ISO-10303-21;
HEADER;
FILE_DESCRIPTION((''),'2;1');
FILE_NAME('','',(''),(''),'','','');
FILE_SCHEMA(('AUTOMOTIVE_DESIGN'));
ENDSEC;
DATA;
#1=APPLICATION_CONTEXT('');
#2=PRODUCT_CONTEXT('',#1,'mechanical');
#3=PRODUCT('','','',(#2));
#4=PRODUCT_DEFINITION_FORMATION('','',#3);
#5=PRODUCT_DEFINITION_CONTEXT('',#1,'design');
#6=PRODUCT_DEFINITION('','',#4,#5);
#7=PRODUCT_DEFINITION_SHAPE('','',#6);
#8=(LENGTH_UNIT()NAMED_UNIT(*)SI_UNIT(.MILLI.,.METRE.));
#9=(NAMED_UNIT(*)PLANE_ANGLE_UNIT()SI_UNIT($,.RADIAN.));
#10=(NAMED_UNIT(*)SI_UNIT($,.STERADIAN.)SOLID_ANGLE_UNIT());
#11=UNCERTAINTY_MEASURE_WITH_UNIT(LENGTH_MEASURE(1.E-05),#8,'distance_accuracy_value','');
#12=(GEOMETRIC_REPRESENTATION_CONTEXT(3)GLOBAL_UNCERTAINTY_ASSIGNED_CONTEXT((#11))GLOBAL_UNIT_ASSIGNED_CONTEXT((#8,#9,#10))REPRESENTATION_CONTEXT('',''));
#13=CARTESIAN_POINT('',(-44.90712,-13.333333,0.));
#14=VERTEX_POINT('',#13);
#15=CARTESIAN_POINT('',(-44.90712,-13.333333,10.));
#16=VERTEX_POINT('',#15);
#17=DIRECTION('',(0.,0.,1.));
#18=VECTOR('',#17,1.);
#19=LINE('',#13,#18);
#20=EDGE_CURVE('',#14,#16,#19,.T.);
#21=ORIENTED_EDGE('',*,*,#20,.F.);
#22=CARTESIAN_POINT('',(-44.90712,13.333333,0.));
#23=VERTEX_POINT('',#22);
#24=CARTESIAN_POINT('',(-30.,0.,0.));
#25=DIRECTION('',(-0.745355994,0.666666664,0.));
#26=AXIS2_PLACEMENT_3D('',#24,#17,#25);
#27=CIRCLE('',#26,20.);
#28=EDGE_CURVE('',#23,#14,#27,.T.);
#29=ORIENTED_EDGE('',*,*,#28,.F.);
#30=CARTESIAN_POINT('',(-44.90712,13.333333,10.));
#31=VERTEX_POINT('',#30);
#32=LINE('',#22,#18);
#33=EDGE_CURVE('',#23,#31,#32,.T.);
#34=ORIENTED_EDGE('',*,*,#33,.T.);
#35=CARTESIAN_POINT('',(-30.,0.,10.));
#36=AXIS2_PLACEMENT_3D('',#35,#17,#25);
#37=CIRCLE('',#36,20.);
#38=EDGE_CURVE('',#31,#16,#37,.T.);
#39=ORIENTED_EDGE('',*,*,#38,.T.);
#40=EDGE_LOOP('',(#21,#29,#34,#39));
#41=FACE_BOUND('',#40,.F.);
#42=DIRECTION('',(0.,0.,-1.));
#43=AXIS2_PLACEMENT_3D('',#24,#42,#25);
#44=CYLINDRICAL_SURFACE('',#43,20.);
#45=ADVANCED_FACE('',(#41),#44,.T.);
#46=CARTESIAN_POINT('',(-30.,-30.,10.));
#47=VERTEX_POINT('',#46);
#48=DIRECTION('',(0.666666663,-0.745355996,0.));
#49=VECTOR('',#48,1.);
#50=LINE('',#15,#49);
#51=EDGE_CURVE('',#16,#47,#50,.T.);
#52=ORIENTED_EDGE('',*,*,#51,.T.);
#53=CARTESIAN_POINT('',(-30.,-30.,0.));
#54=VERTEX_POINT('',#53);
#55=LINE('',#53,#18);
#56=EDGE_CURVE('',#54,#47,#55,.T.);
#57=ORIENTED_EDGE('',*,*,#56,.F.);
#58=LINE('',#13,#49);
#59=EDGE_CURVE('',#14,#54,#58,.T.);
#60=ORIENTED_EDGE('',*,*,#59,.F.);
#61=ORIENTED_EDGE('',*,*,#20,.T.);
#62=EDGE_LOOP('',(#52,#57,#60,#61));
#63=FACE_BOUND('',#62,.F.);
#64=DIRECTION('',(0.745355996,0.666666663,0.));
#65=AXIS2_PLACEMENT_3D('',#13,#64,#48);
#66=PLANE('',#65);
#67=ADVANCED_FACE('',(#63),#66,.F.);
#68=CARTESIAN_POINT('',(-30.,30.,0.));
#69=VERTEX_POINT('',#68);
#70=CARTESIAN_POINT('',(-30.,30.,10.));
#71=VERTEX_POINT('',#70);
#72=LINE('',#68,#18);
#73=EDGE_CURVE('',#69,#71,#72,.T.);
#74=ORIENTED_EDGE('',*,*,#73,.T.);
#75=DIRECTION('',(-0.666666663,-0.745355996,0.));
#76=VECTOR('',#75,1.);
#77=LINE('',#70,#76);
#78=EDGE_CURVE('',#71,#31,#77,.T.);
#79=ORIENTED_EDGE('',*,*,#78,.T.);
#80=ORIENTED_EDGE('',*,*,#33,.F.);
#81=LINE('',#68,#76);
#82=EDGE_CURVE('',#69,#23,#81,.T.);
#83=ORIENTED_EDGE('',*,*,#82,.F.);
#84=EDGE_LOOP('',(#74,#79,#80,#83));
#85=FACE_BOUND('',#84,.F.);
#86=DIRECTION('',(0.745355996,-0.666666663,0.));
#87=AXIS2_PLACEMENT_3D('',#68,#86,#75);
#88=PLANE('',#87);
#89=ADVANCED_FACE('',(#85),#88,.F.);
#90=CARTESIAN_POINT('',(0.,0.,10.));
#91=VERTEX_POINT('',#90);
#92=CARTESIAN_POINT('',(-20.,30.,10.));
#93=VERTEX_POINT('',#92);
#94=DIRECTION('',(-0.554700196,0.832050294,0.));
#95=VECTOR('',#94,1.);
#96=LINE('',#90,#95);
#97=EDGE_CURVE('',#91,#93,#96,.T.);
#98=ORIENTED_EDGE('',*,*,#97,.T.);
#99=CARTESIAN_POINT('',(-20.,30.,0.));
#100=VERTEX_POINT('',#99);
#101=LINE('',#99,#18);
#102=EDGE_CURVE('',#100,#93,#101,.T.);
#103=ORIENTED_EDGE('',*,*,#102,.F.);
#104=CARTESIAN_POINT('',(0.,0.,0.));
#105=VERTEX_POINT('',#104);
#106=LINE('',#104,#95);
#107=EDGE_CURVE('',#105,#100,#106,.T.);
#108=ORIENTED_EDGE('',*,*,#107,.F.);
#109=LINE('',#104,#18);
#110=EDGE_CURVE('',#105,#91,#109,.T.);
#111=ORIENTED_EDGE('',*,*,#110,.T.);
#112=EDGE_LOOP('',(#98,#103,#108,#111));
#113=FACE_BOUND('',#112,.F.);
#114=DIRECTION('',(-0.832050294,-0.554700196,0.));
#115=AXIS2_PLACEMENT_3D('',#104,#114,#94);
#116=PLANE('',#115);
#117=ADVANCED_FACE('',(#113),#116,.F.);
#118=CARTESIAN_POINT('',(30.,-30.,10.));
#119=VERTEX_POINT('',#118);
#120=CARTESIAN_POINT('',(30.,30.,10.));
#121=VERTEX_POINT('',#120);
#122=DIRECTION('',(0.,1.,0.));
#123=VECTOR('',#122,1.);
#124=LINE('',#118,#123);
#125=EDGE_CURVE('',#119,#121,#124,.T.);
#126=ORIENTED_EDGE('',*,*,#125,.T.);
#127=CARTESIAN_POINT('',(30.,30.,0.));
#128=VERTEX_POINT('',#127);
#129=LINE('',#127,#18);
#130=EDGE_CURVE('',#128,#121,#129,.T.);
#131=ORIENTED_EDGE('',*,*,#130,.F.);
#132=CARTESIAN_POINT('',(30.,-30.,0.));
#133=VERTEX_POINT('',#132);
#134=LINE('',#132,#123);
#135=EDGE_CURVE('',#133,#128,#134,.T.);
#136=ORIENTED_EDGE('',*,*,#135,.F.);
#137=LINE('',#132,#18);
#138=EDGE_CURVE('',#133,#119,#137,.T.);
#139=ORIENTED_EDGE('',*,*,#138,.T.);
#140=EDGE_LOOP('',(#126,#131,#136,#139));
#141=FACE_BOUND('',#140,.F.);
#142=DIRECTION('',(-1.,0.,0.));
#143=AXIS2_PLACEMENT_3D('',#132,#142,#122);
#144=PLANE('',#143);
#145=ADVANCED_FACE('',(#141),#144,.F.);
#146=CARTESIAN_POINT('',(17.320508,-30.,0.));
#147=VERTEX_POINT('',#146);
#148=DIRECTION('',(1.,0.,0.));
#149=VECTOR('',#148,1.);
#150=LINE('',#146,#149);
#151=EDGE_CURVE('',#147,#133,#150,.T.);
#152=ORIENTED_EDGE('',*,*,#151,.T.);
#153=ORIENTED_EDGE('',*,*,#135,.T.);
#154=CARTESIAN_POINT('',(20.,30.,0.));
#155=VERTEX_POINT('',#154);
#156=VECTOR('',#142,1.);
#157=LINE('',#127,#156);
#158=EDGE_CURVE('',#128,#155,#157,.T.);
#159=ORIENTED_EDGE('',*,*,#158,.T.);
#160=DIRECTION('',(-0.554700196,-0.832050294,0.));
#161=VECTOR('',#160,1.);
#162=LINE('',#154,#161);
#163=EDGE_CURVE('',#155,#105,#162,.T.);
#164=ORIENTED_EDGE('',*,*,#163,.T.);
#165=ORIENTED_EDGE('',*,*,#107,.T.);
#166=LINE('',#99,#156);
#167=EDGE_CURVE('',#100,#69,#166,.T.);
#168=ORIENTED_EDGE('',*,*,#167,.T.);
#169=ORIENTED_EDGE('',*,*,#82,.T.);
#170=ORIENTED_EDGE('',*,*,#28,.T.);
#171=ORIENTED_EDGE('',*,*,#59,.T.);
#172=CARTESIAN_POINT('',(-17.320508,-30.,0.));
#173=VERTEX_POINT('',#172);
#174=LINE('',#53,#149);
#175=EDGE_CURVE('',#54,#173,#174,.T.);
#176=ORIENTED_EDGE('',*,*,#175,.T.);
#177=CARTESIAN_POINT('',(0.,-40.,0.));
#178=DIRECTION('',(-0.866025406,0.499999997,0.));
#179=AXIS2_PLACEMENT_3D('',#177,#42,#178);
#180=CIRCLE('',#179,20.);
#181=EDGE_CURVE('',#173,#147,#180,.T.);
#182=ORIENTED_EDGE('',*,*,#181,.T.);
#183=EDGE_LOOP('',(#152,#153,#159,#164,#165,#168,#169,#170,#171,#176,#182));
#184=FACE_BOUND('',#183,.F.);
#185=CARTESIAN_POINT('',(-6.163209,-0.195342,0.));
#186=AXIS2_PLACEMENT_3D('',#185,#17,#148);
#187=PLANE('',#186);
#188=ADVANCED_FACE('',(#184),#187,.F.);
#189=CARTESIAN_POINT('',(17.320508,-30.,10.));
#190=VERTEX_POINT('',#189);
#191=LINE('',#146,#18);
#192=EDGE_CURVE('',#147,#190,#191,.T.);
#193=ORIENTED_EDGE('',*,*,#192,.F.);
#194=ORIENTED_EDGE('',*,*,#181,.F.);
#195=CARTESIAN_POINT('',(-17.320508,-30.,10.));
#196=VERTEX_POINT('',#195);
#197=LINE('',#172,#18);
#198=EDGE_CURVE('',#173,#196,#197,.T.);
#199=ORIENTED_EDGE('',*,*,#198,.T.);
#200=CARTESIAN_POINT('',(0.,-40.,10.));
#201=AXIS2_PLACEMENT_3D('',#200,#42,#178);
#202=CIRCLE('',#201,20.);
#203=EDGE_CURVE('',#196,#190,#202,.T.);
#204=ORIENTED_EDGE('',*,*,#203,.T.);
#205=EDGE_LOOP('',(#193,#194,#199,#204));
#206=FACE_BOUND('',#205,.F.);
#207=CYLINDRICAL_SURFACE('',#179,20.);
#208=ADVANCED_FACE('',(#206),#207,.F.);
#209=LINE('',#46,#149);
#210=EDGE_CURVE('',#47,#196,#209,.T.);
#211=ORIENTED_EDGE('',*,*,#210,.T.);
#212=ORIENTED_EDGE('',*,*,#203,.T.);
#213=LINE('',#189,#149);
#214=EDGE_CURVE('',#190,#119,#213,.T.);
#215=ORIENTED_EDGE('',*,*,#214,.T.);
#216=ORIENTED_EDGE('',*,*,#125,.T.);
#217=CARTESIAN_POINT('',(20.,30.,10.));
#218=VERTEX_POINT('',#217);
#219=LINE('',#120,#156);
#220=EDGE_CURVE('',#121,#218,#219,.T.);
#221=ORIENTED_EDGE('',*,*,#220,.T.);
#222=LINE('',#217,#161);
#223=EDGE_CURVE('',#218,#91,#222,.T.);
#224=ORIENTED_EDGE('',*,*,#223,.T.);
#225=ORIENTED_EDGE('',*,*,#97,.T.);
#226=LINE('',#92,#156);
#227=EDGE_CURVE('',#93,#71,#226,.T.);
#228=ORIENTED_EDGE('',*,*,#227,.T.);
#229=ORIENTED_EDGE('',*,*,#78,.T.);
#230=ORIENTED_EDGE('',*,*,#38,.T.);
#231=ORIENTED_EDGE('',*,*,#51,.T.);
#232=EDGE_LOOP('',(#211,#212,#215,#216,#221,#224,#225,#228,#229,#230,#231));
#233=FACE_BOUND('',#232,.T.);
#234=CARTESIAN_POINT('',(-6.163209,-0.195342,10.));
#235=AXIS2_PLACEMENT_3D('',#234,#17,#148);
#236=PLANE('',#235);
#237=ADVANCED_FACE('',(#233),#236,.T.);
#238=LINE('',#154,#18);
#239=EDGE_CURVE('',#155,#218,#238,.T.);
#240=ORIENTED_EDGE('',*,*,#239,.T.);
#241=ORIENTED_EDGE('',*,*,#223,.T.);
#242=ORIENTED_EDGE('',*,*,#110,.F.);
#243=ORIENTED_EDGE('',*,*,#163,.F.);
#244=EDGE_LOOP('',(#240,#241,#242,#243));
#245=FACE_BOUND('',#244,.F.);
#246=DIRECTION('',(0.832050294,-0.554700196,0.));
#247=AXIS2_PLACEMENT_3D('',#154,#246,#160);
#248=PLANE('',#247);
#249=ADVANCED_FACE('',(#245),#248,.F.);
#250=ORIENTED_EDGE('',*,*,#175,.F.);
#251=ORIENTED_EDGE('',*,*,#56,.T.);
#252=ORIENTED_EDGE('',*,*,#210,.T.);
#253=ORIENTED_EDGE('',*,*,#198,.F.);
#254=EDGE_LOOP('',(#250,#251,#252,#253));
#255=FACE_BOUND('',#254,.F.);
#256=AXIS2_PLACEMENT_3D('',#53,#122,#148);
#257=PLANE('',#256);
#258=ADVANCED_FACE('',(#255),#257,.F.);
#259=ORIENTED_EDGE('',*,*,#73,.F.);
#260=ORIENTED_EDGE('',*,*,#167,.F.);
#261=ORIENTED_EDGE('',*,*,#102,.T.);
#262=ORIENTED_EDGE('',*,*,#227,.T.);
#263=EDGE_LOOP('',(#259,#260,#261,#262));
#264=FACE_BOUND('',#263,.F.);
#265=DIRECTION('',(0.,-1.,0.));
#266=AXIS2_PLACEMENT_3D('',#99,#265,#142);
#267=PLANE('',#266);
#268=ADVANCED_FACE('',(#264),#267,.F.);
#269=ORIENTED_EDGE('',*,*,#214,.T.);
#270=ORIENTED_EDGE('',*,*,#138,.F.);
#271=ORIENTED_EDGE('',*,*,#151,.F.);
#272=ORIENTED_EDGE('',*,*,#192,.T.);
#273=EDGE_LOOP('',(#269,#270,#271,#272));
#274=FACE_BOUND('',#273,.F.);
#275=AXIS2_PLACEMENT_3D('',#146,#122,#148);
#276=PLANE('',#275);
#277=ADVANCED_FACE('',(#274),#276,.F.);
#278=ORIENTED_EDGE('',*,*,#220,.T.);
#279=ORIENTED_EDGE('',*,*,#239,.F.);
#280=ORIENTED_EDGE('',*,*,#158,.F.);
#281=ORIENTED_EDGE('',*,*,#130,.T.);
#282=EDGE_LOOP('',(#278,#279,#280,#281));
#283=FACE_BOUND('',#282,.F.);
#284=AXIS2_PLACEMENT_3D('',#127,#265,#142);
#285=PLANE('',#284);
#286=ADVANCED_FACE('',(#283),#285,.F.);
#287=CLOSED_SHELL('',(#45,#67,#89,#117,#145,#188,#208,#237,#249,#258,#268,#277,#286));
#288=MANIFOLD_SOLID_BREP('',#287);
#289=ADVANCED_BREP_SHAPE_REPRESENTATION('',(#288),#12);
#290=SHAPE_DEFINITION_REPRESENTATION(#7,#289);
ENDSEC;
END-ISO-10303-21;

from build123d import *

# Parameters (mm, degrees)
F1_DEPTH = 10


with BuildPart() as f1:
    # F0 (on Top) → F1 (new body)
    with BuildSketch(Plane.XY):
        with BuildLine():
            Line((20, 30), (0, 0))
            Line((0, 0), (-20, 30))
            Line((-20, 30), (-30, 30))
            Line((-30, 30), (-44.90712, 13.333333))
            ThreePointArc((-44.90712, 13.333333), (-22.863558, 18.683447), (-10, 0))
            ThreePointArc((-10, 0), (-22.863558, -18.683447), (-44.90712, -13.333333))
            Line((-44.90712, -13.333333), (-30, -30))
            Line((-30, -30), (-17.320508, -30))
            ThreePointArc((-17.320508, -30), (0, -20), (17.320508, -30))
            Line((17.320508, -30), (30, -30))
            Line((30, -30), (30, 30))
            Line((30, 30), (20, 30))
        make_face()
        with BuildLine():
            ThreePointArc((-10, 0), (-22.863558, 18.683447), (-44.90712, 13.333333))
            ThreePointArc((-44.90712, 13.333333), (-50, 0), (-44.90712, -13.333333))
            ThreePointArc((-44.90712, -13.333333), (-22.863558, -18.683447), (-10, 0))
        make_face()
    extrude(amount=F1_DEPTH)


solid = f1.part
